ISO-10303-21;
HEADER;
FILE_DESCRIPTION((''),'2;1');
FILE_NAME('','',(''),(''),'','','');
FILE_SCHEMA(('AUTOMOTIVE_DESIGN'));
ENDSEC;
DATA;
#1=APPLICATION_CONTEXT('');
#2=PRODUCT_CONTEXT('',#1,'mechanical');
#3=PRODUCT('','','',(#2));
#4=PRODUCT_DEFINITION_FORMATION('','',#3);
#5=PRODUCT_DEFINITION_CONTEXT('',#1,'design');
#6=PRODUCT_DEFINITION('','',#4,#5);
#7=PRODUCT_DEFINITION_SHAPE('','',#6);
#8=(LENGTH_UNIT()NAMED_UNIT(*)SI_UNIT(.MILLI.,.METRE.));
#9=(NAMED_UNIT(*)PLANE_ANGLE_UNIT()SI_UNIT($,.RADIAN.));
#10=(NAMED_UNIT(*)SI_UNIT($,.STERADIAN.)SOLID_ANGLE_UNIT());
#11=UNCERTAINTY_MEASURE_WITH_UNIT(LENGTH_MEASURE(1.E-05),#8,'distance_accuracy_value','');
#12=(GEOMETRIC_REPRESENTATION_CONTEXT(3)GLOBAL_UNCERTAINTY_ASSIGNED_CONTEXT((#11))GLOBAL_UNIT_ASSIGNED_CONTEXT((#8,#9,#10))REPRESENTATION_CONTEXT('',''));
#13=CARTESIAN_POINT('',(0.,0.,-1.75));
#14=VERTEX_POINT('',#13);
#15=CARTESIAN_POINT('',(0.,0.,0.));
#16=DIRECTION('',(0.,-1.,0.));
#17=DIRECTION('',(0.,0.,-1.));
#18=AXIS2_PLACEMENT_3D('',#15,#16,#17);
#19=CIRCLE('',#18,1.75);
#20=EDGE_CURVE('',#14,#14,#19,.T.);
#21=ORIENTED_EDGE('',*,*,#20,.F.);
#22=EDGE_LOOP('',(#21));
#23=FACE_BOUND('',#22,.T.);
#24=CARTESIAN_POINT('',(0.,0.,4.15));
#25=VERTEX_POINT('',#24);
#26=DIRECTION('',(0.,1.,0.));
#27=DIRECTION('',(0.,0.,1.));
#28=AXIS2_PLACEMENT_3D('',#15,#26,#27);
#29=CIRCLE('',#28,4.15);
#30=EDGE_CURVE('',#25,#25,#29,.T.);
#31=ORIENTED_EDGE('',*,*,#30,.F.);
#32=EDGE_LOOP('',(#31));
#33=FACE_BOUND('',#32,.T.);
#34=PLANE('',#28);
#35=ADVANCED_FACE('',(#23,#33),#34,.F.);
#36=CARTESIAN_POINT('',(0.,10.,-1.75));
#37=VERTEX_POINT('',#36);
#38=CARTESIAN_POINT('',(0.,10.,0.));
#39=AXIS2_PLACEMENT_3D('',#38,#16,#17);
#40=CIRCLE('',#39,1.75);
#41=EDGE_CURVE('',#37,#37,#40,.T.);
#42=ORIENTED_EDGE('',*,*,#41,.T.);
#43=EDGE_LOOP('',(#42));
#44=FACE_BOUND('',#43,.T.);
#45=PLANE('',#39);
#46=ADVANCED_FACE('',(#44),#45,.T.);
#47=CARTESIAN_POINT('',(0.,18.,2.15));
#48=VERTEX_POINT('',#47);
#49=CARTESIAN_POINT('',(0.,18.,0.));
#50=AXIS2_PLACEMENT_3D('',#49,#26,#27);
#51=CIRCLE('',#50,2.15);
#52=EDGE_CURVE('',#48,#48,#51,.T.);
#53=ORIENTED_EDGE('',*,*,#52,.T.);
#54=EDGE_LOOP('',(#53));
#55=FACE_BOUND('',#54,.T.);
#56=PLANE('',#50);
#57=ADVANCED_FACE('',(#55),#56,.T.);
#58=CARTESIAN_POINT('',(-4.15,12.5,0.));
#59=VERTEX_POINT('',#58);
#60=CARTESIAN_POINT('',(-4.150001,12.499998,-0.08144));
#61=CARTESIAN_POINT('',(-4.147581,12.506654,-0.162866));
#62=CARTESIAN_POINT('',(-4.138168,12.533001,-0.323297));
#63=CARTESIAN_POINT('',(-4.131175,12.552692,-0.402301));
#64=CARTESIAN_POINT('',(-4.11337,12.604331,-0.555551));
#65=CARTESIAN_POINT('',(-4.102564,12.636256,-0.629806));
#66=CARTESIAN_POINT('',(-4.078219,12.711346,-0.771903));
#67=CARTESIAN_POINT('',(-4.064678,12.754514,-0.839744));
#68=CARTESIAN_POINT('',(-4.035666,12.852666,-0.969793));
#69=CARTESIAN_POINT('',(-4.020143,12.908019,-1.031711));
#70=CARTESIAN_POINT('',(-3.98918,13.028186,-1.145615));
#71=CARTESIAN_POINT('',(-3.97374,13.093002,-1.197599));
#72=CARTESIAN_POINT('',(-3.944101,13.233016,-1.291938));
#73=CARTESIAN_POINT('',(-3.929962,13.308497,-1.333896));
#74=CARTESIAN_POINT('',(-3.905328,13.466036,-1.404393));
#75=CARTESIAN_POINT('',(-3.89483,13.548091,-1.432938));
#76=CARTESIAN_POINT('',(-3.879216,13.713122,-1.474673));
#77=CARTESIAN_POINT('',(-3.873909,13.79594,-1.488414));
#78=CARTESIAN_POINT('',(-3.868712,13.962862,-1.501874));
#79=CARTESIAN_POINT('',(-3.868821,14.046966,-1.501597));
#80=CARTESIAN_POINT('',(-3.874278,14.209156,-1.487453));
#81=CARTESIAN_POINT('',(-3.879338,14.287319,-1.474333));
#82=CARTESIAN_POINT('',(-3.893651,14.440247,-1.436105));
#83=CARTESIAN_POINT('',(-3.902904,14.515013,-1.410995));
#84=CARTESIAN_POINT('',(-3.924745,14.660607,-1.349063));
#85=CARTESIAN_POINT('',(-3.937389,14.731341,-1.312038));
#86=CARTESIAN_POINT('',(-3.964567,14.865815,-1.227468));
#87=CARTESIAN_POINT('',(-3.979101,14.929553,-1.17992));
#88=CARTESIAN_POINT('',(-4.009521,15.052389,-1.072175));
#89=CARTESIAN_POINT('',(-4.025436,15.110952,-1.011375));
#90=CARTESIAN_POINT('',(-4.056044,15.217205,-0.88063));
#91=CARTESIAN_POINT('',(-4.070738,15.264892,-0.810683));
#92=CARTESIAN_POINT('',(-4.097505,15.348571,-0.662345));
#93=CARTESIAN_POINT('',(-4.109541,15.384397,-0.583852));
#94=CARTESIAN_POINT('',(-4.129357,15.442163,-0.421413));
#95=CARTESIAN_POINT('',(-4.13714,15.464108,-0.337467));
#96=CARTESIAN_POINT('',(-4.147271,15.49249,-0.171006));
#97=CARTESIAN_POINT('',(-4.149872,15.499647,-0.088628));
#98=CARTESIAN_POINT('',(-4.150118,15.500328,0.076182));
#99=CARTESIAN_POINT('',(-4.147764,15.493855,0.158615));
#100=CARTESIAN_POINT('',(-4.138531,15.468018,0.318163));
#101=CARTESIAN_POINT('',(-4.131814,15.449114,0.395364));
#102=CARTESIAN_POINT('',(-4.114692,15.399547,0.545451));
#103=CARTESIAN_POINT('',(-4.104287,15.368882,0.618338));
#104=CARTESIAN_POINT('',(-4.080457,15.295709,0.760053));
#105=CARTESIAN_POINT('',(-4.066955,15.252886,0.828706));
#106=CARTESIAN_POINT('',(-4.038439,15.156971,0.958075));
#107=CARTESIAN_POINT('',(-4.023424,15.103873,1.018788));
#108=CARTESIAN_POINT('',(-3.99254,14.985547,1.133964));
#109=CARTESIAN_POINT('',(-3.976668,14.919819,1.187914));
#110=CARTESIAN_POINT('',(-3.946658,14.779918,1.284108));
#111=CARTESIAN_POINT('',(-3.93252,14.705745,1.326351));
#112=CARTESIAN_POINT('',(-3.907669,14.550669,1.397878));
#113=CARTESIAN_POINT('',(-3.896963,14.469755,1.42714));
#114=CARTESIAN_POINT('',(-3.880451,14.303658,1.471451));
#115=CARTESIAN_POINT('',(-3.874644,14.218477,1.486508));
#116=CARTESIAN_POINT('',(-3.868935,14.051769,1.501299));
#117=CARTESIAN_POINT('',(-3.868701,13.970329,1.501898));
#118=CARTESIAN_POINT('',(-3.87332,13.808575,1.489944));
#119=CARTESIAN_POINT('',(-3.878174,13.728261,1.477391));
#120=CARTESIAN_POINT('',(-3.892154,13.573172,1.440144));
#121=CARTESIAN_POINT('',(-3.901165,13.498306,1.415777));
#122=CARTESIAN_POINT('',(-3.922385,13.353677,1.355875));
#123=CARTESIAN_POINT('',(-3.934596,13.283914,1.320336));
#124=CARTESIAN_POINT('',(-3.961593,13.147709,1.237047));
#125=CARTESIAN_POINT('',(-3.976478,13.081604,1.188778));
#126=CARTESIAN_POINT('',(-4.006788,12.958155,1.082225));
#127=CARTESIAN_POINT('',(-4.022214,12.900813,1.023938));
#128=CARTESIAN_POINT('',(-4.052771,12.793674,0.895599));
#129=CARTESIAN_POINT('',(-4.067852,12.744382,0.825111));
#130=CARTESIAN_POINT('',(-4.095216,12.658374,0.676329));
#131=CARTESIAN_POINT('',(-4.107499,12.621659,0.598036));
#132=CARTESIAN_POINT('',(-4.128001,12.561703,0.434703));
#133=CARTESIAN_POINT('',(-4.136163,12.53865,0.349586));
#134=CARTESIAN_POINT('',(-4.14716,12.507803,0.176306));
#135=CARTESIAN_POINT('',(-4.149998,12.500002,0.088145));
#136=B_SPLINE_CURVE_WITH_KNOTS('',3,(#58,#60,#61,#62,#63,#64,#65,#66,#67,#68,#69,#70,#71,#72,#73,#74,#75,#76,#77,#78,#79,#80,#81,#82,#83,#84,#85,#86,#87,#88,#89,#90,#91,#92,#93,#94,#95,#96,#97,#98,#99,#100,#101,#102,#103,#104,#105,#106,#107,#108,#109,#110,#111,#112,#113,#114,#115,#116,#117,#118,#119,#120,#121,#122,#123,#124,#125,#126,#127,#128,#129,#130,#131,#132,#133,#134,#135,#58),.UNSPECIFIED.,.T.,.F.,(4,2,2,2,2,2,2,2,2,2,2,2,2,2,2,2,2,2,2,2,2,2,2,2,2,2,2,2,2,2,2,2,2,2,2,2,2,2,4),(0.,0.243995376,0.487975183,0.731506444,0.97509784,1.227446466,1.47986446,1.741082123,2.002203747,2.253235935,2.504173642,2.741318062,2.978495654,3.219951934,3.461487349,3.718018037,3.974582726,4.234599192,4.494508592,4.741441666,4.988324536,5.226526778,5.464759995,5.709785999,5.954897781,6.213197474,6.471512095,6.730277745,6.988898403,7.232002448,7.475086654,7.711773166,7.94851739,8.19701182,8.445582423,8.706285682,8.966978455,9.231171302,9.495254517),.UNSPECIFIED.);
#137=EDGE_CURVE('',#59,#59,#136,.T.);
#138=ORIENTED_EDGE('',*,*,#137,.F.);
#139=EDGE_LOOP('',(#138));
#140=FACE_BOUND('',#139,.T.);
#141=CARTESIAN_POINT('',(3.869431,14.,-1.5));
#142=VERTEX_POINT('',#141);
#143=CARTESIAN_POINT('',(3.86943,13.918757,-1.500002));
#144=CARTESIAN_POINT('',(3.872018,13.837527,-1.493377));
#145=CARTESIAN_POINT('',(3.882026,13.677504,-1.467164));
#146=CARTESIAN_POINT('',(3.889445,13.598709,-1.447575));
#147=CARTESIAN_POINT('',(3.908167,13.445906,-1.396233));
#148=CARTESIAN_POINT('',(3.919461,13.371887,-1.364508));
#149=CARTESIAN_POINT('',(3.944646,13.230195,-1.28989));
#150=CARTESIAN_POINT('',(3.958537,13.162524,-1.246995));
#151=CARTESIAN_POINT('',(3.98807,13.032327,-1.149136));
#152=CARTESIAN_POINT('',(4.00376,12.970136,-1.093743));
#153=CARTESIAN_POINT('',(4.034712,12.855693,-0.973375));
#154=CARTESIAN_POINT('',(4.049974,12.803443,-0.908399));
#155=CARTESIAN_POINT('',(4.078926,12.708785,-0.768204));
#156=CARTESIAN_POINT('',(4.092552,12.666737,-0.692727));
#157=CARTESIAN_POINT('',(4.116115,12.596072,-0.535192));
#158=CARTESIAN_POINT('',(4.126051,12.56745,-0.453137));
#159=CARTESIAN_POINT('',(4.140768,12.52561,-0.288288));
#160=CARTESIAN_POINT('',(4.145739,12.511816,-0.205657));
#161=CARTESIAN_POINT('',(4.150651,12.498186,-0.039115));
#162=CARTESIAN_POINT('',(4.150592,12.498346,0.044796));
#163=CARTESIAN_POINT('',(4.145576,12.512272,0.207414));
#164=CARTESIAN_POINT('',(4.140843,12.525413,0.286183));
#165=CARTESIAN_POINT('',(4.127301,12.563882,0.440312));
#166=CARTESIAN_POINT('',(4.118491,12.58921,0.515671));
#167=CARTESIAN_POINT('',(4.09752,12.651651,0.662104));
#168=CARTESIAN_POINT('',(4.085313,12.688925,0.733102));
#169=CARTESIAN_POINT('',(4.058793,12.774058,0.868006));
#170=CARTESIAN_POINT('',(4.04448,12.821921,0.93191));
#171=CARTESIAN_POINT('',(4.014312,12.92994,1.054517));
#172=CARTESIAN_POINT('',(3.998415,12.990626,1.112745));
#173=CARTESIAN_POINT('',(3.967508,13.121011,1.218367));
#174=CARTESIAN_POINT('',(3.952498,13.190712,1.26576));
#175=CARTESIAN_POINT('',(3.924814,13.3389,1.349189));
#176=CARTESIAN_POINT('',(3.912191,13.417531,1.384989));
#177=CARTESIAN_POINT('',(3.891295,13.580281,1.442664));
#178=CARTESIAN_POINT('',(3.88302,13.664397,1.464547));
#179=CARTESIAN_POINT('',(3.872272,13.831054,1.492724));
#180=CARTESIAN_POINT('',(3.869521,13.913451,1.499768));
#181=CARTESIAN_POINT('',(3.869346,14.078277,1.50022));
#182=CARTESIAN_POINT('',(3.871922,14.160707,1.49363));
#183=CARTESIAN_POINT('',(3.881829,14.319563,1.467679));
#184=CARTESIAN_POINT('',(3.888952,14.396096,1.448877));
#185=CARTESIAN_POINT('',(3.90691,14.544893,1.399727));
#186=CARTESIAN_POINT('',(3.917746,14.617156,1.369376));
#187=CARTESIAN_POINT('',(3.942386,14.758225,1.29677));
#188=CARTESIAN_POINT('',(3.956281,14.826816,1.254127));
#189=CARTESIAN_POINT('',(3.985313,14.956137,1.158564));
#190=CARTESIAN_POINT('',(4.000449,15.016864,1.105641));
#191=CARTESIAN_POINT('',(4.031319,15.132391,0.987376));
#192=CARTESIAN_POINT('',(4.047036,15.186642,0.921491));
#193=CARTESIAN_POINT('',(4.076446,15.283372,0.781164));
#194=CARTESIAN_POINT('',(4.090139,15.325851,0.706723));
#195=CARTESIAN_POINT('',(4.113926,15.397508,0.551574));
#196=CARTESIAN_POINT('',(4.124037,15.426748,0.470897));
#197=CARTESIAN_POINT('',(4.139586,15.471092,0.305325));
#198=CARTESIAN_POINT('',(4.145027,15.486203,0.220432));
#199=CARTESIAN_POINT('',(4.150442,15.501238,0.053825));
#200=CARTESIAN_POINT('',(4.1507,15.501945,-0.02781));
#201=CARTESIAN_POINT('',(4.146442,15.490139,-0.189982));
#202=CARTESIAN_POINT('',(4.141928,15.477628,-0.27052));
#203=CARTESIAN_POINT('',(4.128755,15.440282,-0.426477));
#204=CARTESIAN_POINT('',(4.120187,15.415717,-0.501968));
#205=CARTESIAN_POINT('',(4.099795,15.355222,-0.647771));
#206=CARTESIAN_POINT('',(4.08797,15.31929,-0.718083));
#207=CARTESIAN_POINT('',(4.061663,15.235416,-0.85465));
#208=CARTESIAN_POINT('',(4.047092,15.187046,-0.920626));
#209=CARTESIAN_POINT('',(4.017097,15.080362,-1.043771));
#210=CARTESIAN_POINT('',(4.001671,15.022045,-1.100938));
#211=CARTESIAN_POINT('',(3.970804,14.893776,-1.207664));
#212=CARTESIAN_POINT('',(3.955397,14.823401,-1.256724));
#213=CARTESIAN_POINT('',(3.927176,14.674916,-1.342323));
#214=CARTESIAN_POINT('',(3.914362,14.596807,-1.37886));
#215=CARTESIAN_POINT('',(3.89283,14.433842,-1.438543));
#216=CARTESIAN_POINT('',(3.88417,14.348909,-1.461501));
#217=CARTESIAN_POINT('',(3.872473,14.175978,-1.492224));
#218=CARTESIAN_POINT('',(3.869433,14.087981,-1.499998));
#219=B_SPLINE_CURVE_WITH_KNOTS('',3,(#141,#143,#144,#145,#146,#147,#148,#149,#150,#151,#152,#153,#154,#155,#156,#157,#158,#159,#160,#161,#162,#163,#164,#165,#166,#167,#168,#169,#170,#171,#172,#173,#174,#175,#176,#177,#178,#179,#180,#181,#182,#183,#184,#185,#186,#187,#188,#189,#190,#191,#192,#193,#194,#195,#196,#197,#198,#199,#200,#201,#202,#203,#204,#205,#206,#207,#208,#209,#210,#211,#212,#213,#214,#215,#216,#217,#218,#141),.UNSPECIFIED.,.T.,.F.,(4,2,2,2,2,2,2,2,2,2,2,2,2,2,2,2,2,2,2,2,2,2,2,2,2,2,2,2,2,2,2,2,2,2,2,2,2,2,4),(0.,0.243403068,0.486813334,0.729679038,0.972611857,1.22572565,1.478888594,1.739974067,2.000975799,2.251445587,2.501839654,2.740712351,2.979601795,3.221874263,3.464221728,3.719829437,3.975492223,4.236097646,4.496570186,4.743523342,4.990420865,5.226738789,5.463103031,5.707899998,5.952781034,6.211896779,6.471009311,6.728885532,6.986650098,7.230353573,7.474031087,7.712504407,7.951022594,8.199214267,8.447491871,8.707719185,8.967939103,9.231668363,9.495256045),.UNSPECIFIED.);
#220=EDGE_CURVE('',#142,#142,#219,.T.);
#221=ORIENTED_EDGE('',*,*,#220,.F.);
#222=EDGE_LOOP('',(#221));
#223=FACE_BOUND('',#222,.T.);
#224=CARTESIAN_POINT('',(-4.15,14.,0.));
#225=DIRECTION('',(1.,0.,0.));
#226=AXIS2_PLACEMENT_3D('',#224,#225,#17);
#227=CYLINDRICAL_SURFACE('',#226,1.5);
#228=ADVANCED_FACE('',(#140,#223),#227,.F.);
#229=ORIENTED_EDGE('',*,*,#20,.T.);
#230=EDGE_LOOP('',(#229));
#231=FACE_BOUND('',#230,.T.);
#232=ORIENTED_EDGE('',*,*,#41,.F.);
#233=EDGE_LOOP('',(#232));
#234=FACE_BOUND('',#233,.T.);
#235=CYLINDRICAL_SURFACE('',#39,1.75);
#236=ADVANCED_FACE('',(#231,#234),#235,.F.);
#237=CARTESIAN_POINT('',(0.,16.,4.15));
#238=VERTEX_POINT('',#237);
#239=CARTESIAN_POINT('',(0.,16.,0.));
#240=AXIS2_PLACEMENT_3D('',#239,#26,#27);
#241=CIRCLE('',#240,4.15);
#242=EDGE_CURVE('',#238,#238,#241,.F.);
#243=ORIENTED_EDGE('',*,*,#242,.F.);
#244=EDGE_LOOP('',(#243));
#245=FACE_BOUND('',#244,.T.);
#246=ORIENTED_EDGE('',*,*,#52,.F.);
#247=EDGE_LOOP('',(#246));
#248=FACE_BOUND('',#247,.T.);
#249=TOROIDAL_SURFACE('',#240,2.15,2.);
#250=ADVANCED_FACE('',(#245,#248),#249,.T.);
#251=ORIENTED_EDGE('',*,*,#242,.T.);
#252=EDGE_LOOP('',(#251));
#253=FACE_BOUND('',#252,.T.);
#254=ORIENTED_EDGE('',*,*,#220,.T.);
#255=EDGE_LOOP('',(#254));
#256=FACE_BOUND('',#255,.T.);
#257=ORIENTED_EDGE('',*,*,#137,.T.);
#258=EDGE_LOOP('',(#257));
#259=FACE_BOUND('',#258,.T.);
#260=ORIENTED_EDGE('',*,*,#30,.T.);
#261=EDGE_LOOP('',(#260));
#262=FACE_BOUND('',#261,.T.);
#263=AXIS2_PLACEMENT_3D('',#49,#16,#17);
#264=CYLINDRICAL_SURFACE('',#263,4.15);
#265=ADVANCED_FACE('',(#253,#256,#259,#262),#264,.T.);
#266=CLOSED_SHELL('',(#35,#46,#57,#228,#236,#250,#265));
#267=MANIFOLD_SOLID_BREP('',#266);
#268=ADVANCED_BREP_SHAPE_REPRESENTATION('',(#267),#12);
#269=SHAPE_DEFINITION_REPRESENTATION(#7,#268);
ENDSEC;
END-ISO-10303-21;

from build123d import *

# Parameters (mm, degrees)
SKETCH2_R               = 4.15
BOSS_EXTRUDE1_DEPTH     = 18
SKETCH3_R               = 1.75
CUT_EXTRUDE1_DEPTH      = 10
CUT_EXTRUDE2_DEPTH      = 19.932643767
CUT_EXTRUDE2_DEPTH_BACK = 19.932643767
SKETCH4_R               = 1.5
FILLET1_R               = 2


with BuildPart() as part:
    # Sketch2 → Boss-Extrude1 (new body)
    with BuildSketch(Plane(origin=(0, 0, 0), x_dir=(1, 0, 0), z_dir=(0, 1, 0))):
        with Locations(Location((0, 0, 0), (0, 0, 270))):
            Circle(SKETCH2_R)
    extrude(amount=BOSS_EXTRUDE1_DEPTH)

    # Sketch3 → Cut-Extrude1 (cut)
    with BuildSketch(Plane.XZ):
        with Locations(Location((0, 0, 0), (0, 0, 270))):
            Circle(SKETCH3_R)
    extrude(amount=-CUT_EXTRUDE1_DEPTH, mode=Mode.SUBTRACT)

    # Sketch4 → Cut-Extrude2 (cut, two sides: drawn at the far end of the back side and taken through both)
    with BuildSketch(Plane(origin=(0, 0, 0), x_dir=(0, 0, -1), z_dir=(1, 0, 0)).offset(-CUT_EXTRUDE2_DEPTH_BACK)):
        with Locations((0, 14)):
            Circle(SKETCH4_R)
    extrude(amount=CUT_EXTRUDE2_DEPTH + CUT_EXTRUDE2_DEPTH_BACK, mode=Mode.SUBTRACT)

    # Fillet1
    fillet1_edges = [part.edges().sort_by_distance(p)[0] for p in [
        (0, 18, -4.15),
    ]]
    fillet(fillet1_edges, radius=FILLET1_R)


solid = part.part
